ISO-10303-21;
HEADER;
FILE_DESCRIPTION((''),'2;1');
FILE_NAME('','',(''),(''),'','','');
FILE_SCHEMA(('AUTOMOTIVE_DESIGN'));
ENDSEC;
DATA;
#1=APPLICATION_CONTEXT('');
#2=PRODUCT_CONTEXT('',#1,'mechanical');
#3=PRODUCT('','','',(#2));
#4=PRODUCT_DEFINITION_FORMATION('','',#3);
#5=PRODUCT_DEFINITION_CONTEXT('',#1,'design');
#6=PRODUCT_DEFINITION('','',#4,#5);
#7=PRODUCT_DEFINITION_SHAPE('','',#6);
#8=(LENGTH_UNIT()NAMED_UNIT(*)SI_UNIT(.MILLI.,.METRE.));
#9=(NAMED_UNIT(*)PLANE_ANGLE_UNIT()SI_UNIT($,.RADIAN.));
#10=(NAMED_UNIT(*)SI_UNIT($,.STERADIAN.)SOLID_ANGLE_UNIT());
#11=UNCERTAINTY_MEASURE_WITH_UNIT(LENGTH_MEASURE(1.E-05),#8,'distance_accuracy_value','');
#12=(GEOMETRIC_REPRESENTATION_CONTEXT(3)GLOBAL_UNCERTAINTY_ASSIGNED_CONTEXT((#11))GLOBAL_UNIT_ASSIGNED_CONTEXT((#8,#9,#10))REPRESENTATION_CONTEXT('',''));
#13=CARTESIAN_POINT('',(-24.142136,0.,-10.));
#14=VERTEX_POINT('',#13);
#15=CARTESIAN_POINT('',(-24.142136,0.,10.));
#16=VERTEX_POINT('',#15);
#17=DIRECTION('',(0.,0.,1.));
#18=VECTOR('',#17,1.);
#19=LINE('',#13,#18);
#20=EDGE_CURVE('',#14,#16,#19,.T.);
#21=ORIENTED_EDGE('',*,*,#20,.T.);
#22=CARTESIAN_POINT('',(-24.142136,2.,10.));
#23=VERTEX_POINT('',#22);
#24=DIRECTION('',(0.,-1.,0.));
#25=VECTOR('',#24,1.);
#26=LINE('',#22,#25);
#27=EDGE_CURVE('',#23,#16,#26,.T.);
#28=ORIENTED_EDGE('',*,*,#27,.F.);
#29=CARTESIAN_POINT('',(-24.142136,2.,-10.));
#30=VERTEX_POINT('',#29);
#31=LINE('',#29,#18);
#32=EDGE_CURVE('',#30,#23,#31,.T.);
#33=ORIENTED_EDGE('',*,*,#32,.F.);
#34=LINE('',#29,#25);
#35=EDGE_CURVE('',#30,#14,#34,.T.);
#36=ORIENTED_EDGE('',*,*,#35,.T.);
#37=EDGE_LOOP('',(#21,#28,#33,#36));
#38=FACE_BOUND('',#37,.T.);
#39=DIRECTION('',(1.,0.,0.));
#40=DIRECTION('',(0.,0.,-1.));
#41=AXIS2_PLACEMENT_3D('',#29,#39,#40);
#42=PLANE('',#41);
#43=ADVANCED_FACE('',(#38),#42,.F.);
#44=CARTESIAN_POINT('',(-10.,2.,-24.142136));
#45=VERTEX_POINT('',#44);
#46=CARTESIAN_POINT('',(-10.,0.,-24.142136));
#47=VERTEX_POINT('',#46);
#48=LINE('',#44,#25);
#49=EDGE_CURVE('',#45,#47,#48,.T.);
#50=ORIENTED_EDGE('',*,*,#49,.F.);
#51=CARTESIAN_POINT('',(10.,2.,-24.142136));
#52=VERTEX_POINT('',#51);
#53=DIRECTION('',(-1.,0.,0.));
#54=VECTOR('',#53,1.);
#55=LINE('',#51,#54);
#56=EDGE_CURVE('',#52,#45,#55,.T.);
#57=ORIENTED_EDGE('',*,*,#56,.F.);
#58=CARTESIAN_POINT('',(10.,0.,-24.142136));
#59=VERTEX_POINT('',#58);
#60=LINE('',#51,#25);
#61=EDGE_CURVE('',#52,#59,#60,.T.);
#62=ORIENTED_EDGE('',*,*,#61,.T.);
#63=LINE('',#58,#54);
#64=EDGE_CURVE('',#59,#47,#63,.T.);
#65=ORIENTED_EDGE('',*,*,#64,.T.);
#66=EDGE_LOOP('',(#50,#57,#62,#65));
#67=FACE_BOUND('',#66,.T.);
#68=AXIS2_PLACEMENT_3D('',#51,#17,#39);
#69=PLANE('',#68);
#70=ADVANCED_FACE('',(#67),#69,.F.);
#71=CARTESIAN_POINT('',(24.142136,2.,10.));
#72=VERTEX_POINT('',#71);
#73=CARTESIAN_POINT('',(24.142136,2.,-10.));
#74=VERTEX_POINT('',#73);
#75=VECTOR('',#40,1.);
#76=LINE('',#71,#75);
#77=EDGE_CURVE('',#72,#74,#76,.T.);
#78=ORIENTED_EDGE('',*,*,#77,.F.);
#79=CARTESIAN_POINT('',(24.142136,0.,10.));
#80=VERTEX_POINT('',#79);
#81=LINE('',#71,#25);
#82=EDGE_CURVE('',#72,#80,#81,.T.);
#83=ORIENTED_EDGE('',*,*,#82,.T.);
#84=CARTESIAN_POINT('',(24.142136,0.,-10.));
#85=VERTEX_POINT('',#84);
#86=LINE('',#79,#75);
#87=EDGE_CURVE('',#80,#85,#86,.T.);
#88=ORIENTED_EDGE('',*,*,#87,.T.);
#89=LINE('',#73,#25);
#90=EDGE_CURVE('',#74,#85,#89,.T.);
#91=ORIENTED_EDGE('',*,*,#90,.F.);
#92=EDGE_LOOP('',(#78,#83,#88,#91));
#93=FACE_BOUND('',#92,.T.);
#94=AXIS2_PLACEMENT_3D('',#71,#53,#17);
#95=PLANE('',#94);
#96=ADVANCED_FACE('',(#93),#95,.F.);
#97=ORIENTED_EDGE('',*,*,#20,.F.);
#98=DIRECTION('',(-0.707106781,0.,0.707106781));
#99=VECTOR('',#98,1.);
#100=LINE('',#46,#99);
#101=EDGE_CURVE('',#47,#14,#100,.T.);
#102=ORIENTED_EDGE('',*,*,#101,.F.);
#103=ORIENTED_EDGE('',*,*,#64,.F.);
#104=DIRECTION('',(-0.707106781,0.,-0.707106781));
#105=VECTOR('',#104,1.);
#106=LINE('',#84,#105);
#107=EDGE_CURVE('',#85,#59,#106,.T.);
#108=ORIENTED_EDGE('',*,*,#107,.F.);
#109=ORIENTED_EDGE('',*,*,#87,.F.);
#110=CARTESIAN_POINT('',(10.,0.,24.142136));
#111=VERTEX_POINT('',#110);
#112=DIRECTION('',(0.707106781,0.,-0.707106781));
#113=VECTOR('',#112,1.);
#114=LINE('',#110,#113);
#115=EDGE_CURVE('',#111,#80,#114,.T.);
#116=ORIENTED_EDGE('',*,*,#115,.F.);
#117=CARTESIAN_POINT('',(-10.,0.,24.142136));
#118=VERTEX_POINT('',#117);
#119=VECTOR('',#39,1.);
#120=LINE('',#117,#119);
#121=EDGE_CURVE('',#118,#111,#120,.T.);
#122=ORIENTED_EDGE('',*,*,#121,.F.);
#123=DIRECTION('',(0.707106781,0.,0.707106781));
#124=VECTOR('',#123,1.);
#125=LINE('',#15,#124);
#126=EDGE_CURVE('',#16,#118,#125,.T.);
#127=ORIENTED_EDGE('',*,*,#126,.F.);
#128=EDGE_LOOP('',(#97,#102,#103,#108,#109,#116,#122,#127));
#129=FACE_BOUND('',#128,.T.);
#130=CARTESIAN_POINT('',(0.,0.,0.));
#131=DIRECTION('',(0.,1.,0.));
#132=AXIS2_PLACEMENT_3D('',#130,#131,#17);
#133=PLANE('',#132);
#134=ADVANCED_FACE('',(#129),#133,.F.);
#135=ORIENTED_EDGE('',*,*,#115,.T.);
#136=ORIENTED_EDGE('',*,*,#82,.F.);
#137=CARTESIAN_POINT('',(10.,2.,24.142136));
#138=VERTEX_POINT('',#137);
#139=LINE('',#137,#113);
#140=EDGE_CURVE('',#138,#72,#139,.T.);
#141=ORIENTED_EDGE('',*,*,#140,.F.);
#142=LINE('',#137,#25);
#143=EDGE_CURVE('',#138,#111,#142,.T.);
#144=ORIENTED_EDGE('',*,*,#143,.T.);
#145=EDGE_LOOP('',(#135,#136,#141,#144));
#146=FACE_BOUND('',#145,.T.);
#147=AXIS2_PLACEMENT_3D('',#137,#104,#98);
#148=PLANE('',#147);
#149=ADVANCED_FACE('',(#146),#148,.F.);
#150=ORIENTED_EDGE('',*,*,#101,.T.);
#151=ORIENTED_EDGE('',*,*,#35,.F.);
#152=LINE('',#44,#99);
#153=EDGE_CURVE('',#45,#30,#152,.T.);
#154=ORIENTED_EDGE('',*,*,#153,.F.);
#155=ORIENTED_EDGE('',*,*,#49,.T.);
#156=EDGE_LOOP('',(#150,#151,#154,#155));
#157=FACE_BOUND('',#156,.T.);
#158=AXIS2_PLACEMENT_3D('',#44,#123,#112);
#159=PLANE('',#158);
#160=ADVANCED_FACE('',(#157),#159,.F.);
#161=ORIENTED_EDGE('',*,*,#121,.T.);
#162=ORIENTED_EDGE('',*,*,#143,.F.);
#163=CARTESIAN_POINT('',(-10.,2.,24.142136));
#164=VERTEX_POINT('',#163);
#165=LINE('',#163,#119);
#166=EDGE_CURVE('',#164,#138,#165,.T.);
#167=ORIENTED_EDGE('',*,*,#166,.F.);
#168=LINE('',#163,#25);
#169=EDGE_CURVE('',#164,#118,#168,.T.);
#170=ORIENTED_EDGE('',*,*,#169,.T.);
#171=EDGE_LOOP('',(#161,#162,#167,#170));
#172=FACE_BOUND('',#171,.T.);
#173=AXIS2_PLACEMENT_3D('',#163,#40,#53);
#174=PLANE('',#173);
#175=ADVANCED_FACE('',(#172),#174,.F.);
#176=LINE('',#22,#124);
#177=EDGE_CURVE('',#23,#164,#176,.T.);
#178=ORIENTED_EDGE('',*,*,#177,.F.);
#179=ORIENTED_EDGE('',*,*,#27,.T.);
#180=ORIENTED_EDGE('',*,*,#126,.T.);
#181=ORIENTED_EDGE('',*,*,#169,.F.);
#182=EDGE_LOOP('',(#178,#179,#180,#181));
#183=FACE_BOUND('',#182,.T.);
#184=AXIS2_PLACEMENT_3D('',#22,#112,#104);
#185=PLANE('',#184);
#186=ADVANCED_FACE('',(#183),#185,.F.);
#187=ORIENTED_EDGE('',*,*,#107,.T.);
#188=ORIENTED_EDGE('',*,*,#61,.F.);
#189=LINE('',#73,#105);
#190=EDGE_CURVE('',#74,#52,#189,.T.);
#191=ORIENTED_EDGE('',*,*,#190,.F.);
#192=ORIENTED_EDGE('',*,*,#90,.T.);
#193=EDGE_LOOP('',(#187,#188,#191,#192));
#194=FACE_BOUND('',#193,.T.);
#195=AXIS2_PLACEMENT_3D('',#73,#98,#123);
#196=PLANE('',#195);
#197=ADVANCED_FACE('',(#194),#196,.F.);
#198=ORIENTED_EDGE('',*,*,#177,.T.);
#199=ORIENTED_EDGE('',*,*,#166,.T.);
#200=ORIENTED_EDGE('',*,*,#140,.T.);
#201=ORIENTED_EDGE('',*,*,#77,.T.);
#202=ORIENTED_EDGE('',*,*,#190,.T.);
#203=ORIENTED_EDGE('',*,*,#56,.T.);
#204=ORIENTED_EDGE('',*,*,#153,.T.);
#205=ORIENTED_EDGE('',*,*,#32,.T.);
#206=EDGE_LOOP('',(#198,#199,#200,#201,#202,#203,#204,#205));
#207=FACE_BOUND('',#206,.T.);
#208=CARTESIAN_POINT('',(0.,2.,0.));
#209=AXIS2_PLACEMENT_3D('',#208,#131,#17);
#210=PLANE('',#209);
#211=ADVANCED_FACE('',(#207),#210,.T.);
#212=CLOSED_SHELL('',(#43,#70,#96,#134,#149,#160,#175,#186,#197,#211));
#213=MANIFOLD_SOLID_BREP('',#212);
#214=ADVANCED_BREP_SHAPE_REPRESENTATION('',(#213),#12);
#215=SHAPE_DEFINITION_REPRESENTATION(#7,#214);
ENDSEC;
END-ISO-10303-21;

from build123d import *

# Parameters (mm, degrees)
BOSS_EXTRUDE1_DEPTH = 2


with BuildPart() as part:
    # Sketch1 → Boss-Extrude1 (new body)
    with BuildSketch(Plane(origin=(0, 0, 0), x_dir=(1, 0, 0), z_dir=(0, 1, 0))):
        Polygon((24.142135624, 10), (10, 24.142135624), (-10, 24.142135624), (-24.142135624, 10), (-24.142135624, -10), (-10, -24.142135624), (10, -24.142135624), (24.142135624, -10), align=None)
    extrude(amount=BOSS_EXTRUDE1_DEPTH)


solid = part.part
